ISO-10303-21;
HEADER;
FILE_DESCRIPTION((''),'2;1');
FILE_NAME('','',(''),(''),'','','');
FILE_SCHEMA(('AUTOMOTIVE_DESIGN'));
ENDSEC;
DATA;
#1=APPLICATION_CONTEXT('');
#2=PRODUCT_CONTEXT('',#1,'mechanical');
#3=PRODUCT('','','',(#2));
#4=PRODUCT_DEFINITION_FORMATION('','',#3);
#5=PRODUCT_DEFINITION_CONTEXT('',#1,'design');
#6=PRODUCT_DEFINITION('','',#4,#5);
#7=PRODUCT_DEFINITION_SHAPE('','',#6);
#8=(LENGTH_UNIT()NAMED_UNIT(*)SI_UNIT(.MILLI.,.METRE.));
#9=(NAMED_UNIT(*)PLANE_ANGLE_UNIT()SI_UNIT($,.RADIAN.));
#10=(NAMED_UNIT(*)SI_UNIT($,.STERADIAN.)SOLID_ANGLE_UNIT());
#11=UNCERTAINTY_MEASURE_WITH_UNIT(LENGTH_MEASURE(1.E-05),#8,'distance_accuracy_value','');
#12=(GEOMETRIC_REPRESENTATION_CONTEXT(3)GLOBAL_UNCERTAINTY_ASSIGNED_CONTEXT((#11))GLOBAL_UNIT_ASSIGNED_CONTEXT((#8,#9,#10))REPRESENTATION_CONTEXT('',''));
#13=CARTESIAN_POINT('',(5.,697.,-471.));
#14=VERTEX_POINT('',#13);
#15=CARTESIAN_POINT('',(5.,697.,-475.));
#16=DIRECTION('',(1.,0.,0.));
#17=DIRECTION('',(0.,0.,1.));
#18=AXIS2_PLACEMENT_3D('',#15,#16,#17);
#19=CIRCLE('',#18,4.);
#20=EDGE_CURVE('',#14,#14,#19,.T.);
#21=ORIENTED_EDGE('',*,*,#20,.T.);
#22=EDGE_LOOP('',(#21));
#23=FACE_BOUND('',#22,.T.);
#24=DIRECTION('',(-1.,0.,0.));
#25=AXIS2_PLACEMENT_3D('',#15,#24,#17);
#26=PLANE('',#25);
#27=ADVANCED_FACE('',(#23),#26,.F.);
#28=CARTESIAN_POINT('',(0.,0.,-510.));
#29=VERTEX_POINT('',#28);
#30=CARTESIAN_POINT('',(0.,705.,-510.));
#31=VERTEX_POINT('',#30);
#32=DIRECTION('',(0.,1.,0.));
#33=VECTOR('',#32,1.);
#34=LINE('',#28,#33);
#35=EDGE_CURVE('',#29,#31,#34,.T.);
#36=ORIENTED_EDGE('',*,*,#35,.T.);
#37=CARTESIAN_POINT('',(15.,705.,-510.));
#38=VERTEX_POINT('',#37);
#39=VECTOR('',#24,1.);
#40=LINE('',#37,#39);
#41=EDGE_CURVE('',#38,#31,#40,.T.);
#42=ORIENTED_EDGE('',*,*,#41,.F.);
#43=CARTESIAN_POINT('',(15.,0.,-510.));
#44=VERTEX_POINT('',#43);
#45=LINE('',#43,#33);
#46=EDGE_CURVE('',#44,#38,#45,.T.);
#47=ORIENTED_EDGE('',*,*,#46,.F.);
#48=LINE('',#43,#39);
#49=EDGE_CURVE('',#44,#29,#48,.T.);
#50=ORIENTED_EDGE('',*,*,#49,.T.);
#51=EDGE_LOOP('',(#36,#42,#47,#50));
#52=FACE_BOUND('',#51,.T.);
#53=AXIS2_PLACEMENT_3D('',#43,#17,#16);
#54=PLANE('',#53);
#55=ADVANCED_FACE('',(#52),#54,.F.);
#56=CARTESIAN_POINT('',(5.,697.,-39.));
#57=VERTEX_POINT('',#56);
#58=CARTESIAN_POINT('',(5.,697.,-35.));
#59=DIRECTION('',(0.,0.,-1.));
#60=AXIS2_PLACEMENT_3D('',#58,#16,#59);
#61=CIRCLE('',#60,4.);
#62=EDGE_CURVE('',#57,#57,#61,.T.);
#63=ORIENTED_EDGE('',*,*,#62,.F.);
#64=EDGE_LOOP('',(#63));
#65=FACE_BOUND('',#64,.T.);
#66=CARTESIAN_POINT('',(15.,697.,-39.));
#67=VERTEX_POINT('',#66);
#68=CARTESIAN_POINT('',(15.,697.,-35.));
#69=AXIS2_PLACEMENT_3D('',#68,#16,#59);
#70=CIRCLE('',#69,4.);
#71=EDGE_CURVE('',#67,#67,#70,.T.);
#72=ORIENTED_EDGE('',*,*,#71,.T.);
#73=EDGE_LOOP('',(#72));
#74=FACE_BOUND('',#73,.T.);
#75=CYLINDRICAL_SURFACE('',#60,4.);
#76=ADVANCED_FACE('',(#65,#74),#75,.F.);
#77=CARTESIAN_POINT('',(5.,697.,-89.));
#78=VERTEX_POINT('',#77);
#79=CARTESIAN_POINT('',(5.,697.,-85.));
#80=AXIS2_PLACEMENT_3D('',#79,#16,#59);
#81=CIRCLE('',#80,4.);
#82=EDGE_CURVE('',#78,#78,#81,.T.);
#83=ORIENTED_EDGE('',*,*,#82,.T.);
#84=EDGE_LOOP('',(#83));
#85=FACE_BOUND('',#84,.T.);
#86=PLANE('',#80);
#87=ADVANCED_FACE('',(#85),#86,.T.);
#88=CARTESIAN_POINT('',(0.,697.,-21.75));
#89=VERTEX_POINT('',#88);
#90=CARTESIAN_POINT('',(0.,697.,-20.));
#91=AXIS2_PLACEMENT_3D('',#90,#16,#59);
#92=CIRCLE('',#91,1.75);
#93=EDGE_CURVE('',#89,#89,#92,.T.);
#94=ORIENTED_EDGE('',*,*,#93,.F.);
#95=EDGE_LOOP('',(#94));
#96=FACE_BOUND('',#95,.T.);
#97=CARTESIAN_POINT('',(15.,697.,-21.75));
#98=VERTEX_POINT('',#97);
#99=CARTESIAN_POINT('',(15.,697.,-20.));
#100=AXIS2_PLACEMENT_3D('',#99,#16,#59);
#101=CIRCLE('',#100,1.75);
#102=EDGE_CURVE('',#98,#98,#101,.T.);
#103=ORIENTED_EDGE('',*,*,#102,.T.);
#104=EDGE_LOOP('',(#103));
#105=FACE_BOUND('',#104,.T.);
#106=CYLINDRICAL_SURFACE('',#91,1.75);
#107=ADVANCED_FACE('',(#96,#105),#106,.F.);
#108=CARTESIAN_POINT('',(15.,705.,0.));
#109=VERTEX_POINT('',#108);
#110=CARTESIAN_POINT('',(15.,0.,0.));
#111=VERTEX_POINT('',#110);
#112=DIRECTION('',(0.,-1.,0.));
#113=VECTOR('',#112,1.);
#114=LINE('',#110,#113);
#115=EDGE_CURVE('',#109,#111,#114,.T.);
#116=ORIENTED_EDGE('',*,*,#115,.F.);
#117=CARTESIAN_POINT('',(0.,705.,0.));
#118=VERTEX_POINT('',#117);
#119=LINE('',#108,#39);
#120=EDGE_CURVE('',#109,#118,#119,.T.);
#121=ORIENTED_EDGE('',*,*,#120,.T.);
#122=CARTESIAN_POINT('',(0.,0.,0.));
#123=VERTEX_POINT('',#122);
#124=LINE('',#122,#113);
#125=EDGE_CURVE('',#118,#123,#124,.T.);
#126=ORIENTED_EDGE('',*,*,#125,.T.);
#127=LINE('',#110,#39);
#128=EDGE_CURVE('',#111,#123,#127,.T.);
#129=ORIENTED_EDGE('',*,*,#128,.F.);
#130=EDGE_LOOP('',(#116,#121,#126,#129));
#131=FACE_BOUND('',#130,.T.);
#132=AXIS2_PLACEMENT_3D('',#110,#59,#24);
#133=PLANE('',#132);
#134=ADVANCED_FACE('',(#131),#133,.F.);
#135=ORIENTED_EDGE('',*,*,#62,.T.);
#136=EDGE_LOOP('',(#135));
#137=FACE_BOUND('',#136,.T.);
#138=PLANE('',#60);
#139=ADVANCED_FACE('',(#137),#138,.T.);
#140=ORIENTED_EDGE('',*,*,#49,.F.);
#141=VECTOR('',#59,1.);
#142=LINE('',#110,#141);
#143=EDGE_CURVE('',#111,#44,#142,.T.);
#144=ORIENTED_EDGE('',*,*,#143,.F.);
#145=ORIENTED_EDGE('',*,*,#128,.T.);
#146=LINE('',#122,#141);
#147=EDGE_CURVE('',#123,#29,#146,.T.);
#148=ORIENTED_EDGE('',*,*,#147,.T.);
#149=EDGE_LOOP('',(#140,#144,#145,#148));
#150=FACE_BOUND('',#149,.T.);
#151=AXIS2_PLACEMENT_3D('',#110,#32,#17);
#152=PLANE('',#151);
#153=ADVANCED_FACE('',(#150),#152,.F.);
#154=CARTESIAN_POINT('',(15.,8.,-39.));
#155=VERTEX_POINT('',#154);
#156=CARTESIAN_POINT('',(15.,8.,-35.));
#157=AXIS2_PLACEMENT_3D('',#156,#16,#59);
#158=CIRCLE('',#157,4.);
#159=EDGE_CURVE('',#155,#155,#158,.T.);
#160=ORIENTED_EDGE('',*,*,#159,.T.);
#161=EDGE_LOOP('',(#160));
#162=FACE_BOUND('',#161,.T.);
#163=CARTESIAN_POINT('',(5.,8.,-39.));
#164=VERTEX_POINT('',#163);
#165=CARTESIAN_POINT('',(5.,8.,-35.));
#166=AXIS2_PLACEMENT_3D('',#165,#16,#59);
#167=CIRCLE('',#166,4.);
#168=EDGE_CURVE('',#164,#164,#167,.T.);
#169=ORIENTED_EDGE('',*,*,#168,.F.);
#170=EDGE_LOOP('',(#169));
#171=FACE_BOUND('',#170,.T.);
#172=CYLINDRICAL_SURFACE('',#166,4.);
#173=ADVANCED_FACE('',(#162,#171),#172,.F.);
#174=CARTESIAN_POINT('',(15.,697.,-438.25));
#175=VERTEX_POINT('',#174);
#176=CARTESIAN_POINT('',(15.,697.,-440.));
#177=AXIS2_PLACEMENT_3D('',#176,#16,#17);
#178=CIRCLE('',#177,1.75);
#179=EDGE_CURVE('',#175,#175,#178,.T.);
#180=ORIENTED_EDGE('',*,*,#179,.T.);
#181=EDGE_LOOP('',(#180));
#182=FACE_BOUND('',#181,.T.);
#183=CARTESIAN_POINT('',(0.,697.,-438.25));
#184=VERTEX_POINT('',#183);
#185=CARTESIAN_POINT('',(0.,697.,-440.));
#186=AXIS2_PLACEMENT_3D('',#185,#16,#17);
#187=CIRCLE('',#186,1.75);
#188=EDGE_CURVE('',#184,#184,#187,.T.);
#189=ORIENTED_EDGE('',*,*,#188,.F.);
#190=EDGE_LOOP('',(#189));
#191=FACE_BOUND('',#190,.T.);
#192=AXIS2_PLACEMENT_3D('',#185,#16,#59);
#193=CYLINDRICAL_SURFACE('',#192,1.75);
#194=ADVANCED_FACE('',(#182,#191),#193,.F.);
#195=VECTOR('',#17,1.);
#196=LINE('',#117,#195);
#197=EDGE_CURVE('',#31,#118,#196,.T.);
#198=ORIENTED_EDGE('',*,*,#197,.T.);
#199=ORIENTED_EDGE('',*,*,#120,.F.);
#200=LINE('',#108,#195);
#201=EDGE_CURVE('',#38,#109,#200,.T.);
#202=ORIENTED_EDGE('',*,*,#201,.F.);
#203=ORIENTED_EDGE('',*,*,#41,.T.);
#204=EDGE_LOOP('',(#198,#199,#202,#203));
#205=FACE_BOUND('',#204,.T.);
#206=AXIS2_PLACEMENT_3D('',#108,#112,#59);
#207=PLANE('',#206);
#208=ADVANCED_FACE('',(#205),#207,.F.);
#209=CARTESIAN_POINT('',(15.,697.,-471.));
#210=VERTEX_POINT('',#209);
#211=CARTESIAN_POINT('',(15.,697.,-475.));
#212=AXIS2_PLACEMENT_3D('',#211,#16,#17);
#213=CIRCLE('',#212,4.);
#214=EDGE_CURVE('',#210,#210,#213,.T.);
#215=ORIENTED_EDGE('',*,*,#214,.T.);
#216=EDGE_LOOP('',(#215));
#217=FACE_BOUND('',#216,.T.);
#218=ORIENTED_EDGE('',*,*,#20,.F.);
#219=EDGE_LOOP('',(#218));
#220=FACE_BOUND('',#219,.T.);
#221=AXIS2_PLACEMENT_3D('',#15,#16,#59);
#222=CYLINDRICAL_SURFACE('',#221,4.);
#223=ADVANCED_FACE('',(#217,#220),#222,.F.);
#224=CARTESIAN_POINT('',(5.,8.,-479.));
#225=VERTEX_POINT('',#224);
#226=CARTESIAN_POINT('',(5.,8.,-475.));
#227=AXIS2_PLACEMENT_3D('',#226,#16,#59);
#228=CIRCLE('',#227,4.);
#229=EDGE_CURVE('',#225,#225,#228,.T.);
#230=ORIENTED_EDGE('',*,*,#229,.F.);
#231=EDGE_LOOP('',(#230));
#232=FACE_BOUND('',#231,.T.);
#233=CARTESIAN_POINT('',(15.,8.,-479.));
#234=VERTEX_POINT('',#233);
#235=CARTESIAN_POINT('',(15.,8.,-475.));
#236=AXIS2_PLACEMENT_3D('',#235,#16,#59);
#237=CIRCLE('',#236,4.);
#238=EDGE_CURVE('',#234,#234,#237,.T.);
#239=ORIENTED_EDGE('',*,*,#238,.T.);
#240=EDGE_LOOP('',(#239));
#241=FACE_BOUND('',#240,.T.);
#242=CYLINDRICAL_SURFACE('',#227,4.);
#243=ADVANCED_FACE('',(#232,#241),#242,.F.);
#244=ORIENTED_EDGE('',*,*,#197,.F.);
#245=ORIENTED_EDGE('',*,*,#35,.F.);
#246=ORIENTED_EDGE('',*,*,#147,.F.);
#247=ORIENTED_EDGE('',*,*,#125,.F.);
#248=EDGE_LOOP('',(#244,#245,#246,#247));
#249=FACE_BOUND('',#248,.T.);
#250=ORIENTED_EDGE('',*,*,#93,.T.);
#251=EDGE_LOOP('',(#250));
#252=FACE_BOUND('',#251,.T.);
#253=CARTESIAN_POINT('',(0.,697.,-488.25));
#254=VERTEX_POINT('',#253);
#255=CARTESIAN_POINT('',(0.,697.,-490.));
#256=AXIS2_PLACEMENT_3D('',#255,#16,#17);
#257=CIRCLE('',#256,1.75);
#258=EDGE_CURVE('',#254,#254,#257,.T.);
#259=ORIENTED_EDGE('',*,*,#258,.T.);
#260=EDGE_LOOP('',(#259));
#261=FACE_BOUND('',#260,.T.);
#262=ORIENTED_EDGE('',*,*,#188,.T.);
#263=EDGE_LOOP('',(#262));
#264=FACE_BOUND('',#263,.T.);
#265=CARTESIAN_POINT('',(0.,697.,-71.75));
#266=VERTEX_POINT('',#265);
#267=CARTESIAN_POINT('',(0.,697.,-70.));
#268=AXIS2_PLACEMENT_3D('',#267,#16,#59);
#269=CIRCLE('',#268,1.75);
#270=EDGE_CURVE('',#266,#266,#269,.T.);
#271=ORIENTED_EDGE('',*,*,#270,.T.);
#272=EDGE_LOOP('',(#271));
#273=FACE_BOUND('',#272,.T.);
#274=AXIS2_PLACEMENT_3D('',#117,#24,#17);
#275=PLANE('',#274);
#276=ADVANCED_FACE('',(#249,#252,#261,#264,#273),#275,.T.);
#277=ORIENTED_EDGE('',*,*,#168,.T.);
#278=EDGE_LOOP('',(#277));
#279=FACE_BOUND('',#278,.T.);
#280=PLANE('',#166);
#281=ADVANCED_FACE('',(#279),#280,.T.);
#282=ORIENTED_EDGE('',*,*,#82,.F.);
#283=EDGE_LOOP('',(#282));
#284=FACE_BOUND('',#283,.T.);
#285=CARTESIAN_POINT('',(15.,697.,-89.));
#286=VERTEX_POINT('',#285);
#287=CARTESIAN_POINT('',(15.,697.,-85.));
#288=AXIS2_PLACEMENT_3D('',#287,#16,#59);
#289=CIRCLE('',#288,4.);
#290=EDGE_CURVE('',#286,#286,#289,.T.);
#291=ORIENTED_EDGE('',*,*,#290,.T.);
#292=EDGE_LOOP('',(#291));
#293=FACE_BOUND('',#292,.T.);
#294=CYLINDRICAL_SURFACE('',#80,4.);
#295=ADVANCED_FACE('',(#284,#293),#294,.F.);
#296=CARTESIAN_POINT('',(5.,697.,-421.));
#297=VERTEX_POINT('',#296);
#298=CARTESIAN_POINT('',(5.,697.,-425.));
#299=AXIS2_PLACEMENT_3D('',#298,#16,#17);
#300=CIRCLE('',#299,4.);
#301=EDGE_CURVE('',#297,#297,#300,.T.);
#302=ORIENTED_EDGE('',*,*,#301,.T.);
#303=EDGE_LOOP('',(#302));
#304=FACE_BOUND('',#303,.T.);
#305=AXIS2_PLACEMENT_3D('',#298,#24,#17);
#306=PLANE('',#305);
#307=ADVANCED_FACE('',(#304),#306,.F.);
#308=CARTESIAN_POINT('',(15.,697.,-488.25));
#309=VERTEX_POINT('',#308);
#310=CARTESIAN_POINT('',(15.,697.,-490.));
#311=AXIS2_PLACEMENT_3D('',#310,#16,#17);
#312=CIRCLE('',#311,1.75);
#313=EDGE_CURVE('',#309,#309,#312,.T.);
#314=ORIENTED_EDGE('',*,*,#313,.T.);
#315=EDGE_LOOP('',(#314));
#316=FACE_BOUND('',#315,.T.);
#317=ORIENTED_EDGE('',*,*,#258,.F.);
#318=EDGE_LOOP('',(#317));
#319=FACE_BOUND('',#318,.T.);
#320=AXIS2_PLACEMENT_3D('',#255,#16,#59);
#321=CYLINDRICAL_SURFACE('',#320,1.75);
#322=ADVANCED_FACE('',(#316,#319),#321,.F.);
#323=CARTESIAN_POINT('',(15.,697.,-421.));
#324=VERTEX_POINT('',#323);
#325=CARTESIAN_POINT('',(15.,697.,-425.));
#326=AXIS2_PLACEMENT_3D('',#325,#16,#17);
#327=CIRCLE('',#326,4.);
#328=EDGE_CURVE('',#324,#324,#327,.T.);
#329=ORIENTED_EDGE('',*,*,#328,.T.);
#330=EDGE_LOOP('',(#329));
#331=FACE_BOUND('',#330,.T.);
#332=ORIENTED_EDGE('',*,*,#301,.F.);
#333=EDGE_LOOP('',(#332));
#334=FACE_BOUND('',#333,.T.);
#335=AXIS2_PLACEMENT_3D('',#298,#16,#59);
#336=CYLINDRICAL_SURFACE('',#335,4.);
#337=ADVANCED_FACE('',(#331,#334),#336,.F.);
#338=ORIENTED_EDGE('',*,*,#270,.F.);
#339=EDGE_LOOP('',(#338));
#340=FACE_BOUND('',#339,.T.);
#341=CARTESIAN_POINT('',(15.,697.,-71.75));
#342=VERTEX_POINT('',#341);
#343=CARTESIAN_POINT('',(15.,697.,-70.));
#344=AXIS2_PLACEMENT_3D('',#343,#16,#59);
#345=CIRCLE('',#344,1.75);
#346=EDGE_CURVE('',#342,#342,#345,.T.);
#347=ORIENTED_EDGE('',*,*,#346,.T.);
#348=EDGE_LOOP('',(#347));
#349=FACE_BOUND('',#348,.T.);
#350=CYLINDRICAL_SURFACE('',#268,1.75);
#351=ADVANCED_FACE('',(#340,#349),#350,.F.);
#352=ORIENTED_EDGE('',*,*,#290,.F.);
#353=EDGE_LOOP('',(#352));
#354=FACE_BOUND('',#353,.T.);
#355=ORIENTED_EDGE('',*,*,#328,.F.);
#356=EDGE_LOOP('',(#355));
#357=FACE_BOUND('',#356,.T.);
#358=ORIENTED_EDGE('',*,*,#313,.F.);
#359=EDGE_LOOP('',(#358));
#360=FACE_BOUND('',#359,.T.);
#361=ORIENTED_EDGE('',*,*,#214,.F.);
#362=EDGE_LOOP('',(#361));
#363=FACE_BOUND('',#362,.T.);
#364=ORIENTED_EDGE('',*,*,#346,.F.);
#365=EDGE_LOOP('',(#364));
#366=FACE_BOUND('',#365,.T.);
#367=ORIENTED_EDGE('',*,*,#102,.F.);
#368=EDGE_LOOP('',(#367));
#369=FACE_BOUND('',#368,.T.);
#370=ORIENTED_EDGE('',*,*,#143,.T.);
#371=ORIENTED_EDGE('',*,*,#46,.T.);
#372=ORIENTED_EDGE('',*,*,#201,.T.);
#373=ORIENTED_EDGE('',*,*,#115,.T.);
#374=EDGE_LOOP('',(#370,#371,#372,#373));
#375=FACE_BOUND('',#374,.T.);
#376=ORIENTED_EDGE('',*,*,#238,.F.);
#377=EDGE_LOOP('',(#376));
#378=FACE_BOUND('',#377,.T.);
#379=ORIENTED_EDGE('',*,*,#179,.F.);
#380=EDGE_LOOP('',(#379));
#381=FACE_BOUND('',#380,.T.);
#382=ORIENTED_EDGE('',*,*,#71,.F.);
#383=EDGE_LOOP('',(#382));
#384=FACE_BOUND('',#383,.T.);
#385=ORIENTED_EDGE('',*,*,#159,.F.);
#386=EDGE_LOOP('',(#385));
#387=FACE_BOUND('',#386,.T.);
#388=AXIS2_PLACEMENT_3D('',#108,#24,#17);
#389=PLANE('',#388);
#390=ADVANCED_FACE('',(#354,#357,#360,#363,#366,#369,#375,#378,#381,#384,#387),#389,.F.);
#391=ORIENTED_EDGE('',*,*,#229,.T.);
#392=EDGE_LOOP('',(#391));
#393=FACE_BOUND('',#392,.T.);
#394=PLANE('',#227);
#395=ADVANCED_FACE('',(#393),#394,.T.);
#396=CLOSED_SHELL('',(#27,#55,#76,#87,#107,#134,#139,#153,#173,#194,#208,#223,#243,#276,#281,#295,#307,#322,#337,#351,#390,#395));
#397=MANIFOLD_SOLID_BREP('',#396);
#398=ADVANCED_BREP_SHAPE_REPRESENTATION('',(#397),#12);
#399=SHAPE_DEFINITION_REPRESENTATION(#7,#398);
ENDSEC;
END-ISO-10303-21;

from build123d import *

# Parameters (mm, degrees)
SKETCH_1_W          = 510
SKETCH_1_H          = 705
EXTRUDE_1_DEPTH     = 15
SKETCH_257_R        = 4
CUT_EXTRUDE_3_DEPTH = 10
SKETCH_750_R        = 1.75
CUT_EXTRUDE_4_DEPTH = 15


with BuildPart() as part:
    # Эскиз1 → Вытянуть1 (new body)
    with BuildSketch(Plane(origin=(0, 0, 0), x_dir=(0, 0, -1), z_dir=(1, 0, 0))):
        with Locations((255, 352.5)):
            Rectangle(SKETCH_1_W, SKETCH_1_H)
    extrude(amount=EXTRUDE_1_DEPTH)

    # Sketch 257 → Вырез-Вытянуть3 (cut)
    with BuildSketch(Plane(origin=(15, 0, 0), x_dir=(0, 0, -1), z_dir=(1, 0, 0))):
        with Locations(Location((425, 697, 0), (0, 0, 180))):  # turned: the seam where the file's is
            Circle(SKETCH_257_R)
        with Locations(Location((475, 697, 0), (0, 0, 180))):  # turned: the seam where the file's is
            Circle(SKETCH_257_R)
        with Locations((35, 697)):
            Circle(SKETCH_257_R)
        with Locations((85, 697)):
            Circle(SKETCH_257_R)
        with Locations((35, 8)):
            Circle(SKETCH_257_R)
        with Locations((475, 8)):
            Circle(SKETCH_257_R)
    extrude(amount=-CUT_EXTRUDE_3_DEPTH, mode=Mode.SUBTRACT)

    # Sketch 750 → Вырез-Вытянуть4 (cut)
    with BuildSketch(Plane(origin=(15, 0, 0), x_dir=(0, 0, -1), z_dir=(1, 0, 0))):
        with Locations(Location((440, 697, 0), (0, 0, 180))):  # turned: the seam where the file's is
            Circle(SKETCH_750_R)
        with Locations(Location((490, 697, 0), (0, 0, 180))):  # turned: the seam where the file's is
            Circle(SKETCH_750_R)
        with Locations((20, 697)):
            Circle(SKETCH_750_R)
        with Locations((70, 697)):
            Circle(SKETCH_750_R)
    extrude(amount=-CUT_EXTRUDE_4_DEPTH, mode=Mode.SUBTRACT)


solid = part.part
